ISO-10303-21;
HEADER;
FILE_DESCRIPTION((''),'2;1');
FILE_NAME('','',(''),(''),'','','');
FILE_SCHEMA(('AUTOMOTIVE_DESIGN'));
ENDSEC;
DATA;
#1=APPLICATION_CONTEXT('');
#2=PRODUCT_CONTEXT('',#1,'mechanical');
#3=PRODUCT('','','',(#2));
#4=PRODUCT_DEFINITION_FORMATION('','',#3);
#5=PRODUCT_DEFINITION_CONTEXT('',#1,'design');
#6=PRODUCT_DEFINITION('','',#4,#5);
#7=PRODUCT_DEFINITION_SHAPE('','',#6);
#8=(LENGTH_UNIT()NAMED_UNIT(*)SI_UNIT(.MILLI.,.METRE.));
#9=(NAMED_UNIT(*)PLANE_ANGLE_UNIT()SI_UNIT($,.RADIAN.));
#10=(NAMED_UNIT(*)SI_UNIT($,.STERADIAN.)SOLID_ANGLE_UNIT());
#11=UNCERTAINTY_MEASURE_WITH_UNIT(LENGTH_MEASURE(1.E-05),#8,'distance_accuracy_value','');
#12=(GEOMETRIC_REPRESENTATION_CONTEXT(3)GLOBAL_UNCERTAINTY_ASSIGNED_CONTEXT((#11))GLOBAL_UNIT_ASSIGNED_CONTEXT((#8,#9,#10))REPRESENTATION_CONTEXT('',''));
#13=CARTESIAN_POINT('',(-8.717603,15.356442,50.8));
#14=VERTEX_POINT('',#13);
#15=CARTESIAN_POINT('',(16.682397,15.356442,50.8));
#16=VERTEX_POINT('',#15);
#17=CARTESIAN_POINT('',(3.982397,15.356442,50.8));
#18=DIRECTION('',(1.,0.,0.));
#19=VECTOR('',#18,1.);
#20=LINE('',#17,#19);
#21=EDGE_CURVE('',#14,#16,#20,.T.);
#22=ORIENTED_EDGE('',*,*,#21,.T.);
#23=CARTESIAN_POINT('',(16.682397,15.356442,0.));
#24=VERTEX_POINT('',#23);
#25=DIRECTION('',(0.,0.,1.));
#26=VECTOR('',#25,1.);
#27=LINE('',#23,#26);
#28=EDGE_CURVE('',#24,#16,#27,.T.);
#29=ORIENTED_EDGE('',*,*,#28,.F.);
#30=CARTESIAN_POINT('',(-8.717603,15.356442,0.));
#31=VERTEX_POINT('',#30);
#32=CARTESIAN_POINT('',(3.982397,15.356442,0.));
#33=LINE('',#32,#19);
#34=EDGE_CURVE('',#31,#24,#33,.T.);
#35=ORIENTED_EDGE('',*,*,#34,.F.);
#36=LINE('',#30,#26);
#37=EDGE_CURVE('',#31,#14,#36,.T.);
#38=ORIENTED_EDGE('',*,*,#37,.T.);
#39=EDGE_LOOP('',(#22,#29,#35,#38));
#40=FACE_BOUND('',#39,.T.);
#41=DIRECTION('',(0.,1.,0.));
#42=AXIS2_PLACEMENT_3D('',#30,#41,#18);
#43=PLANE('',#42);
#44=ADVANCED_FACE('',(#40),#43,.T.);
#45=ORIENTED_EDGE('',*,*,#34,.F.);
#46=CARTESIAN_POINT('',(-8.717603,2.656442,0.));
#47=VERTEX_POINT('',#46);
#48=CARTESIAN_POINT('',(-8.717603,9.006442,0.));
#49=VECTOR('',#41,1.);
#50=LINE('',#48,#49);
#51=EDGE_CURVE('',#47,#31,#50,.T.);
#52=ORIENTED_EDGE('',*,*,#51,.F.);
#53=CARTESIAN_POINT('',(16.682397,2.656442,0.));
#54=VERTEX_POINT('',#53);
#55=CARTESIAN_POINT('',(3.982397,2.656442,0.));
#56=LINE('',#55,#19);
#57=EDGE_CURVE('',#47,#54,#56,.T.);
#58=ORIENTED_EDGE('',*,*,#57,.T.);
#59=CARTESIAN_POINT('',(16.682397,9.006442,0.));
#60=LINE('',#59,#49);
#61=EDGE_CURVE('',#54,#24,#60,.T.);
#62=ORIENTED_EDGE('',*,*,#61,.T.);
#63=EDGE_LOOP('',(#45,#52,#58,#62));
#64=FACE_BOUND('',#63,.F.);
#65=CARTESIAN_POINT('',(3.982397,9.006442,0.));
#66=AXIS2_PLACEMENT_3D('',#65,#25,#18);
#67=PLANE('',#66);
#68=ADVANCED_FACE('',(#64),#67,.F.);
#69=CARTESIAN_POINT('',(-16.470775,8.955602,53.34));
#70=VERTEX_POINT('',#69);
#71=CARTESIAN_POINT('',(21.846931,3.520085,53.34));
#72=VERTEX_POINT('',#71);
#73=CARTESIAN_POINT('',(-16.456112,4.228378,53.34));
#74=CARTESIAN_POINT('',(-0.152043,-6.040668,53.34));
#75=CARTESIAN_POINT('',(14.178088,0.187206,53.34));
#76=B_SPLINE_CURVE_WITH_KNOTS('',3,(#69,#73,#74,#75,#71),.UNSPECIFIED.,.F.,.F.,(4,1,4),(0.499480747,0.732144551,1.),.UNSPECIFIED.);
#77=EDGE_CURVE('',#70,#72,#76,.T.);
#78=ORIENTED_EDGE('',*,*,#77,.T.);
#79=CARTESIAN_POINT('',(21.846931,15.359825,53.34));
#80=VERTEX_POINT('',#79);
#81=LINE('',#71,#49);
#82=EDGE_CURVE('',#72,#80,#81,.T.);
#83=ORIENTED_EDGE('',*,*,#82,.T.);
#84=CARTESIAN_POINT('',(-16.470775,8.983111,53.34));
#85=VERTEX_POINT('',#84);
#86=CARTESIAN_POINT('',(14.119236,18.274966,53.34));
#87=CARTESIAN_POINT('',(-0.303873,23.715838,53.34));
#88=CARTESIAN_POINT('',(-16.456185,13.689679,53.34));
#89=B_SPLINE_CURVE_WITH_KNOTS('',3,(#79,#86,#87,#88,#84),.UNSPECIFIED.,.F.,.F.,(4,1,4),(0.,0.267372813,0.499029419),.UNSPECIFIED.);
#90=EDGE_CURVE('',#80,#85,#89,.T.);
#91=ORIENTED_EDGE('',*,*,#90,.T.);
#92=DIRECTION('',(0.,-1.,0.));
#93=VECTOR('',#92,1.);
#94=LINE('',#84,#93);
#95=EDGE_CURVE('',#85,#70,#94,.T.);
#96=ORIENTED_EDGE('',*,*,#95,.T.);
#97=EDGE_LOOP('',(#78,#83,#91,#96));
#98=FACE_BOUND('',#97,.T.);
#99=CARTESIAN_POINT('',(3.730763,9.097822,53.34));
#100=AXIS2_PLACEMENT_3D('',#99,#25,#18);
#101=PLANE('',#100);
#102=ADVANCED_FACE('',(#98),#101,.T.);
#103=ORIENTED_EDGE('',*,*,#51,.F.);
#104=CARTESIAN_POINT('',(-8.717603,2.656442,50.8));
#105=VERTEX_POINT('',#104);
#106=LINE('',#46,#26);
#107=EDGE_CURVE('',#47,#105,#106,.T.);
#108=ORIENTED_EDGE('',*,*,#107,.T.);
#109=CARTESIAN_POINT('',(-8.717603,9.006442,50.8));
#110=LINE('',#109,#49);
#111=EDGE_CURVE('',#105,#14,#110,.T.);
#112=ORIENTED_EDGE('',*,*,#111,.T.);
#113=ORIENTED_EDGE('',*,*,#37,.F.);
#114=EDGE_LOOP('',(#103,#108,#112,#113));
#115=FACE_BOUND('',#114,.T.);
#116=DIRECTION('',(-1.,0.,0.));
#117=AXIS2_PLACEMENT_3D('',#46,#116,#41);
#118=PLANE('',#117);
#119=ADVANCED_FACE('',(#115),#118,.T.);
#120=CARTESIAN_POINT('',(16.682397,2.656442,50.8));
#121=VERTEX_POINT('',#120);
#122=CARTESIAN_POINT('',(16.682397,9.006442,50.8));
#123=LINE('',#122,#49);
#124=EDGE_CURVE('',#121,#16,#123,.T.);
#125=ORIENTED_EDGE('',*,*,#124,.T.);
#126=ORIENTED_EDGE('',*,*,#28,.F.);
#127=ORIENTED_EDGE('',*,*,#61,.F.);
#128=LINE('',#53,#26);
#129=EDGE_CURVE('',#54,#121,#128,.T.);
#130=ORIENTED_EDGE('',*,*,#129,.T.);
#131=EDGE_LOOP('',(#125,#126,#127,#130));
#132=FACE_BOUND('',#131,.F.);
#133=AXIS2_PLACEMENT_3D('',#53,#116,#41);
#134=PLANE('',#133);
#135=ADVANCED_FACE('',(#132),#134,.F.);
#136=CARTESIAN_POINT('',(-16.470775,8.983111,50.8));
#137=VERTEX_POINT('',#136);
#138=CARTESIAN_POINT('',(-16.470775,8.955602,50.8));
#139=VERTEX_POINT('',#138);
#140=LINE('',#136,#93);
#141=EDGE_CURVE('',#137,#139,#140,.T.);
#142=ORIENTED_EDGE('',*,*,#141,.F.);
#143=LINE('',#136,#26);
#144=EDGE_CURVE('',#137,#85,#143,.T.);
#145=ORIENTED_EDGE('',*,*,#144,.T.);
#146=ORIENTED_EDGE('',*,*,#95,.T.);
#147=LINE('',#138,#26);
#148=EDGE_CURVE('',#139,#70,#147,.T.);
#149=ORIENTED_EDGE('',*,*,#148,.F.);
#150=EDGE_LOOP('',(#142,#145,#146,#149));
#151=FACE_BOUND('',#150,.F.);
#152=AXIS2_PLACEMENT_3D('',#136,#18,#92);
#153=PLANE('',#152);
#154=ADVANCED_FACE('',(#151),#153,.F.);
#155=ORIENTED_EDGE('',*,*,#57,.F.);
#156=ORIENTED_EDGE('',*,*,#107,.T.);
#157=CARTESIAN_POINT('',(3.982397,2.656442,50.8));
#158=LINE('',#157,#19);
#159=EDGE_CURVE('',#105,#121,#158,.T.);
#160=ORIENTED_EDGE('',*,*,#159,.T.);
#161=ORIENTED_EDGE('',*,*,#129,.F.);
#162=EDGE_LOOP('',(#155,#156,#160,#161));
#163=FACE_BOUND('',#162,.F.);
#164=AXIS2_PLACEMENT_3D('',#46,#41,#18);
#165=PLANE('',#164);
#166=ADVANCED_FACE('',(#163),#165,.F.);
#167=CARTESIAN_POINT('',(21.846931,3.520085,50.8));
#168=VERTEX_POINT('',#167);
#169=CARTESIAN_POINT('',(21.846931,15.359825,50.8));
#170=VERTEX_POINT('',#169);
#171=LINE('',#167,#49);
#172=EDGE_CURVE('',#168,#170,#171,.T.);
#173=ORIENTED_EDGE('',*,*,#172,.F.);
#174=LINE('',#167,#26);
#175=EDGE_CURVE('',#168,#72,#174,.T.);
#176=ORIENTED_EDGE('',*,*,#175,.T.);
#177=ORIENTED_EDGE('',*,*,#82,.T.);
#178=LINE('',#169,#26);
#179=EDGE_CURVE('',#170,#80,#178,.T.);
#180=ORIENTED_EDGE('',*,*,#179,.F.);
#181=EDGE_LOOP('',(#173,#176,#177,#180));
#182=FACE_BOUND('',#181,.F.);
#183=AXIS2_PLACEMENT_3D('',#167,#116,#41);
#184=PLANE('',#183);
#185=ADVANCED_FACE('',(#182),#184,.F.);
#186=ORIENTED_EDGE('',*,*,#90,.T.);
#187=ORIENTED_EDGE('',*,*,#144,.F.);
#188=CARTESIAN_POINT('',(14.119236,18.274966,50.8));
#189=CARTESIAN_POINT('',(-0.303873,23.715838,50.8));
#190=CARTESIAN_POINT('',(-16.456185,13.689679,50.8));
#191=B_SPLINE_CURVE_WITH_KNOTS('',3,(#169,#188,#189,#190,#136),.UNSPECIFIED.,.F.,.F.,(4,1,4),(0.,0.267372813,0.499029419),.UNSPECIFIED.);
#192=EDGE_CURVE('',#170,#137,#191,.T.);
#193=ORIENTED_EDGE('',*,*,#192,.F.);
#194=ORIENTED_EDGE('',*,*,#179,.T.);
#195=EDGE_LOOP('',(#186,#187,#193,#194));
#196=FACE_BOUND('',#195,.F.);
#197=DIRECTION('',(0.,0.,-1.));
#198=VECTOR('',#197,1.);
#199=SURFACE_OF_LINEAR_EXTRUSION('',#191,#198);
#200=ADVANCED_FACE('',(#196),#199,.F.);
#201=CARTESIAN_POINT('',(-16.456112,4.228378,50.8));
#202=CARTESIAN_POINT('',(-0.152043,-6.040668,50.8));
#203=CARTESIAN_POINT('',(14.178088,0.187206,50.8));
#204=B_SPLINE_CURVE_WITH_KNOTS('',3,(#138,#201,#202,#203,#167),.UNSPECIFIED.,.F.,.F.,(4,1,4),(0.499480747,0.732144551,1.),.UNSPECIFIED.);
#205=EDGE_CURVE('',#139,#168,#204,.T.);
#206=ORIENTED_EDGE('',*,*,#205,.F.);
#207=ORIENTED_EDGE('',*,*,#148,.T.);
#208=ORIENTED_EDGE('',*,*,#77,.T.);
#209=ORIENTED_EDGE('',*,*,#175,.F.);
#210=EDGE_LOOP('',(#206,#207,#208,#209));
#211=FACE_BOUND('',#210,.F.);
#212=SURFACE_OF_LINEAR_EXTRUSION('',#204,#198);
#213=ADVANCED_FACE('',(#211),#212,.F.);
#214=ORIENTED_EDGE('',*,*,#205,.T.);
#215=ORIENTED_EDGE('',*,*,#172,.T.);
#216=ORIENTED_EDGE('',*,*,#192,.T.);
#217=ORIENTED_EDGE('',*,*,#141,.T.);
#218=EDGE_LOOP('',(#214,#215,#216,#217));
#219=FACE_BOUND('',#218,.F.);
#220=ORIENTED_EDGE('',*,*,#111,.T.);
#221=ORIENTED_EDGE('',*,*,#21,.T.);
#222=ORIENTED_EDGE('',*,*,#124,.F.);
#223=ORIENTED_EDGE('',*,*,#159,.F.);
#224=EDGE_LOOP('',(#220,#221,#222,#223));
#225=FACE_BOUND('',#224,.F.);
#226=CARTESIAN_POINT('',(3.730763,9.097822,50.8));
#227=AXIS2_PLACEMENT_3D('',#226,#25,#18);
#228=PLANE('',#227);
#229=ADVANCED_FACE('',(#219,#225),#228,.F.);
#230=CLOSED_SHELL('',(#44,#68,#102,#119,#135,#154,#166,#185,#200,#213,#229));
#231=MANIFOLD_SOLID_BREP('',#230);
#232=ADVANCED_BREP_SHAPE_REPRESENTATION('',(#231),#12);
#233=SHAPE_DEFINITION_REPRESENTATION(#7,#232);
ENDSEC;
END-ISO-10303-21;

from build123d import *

# Parameters (mm, degrees)
F0_W     = 25.4
F0_H     = 12.7
F1_DEPTH = 50.8
F3_DEPTH = 2.54


with BuildPart() as f1:
    # F0 (on Top) → F1 (new body)
    with BuildSketch(Plane.XY):
        with Locations((3.9823967963, 9.0064416884)):
            Rectangle(F0_W, F0_H)
    extrude(amount=F1_DEPTH)

    # F2 (on face) → F3 (join)
    with BuildSketch(Plane.XY.offset(50.8)):
        with BuildLine():
            add(Edge.make_bspline(
                [(21.8469314277, 15.3598254547), (14.1192361235, 18.274966324), (-0.3038731664, 23.7158375926), (-16.4561851304, 13.6896794298), (-16.4707750082, 8.9831112345)],
                knots=[0, 0, 0, 0, 0.2673728125, 0.4990294187, 0.4990294187, 0.4990294187, 0.4990294187], degree=3))
            Line((-16.4707750082, 8.9831112345), (-16.4707750082, 8.9556017192))
            add(Edge.make_bspline(
                [(-16.4707750082, 8.9556017192), (-16.4561117132, 4.2283781908), (-0.1520425473, -6.040668303), (14.1780883008, 0.1872057549), (21.8469314277, 3.520084545)],
                knots=[0.4994807474, 0.4994807474, 0.4994807474, 0.4994807474, 0.7321445512, 1, 1, 1, 1], degree=3))
            Line((21.8469314277, 3.520084545), (21.8469314277, 15.3598254547))
        make_face()
    extrude(amount=F3_DEPTH)


solid = f1.part
